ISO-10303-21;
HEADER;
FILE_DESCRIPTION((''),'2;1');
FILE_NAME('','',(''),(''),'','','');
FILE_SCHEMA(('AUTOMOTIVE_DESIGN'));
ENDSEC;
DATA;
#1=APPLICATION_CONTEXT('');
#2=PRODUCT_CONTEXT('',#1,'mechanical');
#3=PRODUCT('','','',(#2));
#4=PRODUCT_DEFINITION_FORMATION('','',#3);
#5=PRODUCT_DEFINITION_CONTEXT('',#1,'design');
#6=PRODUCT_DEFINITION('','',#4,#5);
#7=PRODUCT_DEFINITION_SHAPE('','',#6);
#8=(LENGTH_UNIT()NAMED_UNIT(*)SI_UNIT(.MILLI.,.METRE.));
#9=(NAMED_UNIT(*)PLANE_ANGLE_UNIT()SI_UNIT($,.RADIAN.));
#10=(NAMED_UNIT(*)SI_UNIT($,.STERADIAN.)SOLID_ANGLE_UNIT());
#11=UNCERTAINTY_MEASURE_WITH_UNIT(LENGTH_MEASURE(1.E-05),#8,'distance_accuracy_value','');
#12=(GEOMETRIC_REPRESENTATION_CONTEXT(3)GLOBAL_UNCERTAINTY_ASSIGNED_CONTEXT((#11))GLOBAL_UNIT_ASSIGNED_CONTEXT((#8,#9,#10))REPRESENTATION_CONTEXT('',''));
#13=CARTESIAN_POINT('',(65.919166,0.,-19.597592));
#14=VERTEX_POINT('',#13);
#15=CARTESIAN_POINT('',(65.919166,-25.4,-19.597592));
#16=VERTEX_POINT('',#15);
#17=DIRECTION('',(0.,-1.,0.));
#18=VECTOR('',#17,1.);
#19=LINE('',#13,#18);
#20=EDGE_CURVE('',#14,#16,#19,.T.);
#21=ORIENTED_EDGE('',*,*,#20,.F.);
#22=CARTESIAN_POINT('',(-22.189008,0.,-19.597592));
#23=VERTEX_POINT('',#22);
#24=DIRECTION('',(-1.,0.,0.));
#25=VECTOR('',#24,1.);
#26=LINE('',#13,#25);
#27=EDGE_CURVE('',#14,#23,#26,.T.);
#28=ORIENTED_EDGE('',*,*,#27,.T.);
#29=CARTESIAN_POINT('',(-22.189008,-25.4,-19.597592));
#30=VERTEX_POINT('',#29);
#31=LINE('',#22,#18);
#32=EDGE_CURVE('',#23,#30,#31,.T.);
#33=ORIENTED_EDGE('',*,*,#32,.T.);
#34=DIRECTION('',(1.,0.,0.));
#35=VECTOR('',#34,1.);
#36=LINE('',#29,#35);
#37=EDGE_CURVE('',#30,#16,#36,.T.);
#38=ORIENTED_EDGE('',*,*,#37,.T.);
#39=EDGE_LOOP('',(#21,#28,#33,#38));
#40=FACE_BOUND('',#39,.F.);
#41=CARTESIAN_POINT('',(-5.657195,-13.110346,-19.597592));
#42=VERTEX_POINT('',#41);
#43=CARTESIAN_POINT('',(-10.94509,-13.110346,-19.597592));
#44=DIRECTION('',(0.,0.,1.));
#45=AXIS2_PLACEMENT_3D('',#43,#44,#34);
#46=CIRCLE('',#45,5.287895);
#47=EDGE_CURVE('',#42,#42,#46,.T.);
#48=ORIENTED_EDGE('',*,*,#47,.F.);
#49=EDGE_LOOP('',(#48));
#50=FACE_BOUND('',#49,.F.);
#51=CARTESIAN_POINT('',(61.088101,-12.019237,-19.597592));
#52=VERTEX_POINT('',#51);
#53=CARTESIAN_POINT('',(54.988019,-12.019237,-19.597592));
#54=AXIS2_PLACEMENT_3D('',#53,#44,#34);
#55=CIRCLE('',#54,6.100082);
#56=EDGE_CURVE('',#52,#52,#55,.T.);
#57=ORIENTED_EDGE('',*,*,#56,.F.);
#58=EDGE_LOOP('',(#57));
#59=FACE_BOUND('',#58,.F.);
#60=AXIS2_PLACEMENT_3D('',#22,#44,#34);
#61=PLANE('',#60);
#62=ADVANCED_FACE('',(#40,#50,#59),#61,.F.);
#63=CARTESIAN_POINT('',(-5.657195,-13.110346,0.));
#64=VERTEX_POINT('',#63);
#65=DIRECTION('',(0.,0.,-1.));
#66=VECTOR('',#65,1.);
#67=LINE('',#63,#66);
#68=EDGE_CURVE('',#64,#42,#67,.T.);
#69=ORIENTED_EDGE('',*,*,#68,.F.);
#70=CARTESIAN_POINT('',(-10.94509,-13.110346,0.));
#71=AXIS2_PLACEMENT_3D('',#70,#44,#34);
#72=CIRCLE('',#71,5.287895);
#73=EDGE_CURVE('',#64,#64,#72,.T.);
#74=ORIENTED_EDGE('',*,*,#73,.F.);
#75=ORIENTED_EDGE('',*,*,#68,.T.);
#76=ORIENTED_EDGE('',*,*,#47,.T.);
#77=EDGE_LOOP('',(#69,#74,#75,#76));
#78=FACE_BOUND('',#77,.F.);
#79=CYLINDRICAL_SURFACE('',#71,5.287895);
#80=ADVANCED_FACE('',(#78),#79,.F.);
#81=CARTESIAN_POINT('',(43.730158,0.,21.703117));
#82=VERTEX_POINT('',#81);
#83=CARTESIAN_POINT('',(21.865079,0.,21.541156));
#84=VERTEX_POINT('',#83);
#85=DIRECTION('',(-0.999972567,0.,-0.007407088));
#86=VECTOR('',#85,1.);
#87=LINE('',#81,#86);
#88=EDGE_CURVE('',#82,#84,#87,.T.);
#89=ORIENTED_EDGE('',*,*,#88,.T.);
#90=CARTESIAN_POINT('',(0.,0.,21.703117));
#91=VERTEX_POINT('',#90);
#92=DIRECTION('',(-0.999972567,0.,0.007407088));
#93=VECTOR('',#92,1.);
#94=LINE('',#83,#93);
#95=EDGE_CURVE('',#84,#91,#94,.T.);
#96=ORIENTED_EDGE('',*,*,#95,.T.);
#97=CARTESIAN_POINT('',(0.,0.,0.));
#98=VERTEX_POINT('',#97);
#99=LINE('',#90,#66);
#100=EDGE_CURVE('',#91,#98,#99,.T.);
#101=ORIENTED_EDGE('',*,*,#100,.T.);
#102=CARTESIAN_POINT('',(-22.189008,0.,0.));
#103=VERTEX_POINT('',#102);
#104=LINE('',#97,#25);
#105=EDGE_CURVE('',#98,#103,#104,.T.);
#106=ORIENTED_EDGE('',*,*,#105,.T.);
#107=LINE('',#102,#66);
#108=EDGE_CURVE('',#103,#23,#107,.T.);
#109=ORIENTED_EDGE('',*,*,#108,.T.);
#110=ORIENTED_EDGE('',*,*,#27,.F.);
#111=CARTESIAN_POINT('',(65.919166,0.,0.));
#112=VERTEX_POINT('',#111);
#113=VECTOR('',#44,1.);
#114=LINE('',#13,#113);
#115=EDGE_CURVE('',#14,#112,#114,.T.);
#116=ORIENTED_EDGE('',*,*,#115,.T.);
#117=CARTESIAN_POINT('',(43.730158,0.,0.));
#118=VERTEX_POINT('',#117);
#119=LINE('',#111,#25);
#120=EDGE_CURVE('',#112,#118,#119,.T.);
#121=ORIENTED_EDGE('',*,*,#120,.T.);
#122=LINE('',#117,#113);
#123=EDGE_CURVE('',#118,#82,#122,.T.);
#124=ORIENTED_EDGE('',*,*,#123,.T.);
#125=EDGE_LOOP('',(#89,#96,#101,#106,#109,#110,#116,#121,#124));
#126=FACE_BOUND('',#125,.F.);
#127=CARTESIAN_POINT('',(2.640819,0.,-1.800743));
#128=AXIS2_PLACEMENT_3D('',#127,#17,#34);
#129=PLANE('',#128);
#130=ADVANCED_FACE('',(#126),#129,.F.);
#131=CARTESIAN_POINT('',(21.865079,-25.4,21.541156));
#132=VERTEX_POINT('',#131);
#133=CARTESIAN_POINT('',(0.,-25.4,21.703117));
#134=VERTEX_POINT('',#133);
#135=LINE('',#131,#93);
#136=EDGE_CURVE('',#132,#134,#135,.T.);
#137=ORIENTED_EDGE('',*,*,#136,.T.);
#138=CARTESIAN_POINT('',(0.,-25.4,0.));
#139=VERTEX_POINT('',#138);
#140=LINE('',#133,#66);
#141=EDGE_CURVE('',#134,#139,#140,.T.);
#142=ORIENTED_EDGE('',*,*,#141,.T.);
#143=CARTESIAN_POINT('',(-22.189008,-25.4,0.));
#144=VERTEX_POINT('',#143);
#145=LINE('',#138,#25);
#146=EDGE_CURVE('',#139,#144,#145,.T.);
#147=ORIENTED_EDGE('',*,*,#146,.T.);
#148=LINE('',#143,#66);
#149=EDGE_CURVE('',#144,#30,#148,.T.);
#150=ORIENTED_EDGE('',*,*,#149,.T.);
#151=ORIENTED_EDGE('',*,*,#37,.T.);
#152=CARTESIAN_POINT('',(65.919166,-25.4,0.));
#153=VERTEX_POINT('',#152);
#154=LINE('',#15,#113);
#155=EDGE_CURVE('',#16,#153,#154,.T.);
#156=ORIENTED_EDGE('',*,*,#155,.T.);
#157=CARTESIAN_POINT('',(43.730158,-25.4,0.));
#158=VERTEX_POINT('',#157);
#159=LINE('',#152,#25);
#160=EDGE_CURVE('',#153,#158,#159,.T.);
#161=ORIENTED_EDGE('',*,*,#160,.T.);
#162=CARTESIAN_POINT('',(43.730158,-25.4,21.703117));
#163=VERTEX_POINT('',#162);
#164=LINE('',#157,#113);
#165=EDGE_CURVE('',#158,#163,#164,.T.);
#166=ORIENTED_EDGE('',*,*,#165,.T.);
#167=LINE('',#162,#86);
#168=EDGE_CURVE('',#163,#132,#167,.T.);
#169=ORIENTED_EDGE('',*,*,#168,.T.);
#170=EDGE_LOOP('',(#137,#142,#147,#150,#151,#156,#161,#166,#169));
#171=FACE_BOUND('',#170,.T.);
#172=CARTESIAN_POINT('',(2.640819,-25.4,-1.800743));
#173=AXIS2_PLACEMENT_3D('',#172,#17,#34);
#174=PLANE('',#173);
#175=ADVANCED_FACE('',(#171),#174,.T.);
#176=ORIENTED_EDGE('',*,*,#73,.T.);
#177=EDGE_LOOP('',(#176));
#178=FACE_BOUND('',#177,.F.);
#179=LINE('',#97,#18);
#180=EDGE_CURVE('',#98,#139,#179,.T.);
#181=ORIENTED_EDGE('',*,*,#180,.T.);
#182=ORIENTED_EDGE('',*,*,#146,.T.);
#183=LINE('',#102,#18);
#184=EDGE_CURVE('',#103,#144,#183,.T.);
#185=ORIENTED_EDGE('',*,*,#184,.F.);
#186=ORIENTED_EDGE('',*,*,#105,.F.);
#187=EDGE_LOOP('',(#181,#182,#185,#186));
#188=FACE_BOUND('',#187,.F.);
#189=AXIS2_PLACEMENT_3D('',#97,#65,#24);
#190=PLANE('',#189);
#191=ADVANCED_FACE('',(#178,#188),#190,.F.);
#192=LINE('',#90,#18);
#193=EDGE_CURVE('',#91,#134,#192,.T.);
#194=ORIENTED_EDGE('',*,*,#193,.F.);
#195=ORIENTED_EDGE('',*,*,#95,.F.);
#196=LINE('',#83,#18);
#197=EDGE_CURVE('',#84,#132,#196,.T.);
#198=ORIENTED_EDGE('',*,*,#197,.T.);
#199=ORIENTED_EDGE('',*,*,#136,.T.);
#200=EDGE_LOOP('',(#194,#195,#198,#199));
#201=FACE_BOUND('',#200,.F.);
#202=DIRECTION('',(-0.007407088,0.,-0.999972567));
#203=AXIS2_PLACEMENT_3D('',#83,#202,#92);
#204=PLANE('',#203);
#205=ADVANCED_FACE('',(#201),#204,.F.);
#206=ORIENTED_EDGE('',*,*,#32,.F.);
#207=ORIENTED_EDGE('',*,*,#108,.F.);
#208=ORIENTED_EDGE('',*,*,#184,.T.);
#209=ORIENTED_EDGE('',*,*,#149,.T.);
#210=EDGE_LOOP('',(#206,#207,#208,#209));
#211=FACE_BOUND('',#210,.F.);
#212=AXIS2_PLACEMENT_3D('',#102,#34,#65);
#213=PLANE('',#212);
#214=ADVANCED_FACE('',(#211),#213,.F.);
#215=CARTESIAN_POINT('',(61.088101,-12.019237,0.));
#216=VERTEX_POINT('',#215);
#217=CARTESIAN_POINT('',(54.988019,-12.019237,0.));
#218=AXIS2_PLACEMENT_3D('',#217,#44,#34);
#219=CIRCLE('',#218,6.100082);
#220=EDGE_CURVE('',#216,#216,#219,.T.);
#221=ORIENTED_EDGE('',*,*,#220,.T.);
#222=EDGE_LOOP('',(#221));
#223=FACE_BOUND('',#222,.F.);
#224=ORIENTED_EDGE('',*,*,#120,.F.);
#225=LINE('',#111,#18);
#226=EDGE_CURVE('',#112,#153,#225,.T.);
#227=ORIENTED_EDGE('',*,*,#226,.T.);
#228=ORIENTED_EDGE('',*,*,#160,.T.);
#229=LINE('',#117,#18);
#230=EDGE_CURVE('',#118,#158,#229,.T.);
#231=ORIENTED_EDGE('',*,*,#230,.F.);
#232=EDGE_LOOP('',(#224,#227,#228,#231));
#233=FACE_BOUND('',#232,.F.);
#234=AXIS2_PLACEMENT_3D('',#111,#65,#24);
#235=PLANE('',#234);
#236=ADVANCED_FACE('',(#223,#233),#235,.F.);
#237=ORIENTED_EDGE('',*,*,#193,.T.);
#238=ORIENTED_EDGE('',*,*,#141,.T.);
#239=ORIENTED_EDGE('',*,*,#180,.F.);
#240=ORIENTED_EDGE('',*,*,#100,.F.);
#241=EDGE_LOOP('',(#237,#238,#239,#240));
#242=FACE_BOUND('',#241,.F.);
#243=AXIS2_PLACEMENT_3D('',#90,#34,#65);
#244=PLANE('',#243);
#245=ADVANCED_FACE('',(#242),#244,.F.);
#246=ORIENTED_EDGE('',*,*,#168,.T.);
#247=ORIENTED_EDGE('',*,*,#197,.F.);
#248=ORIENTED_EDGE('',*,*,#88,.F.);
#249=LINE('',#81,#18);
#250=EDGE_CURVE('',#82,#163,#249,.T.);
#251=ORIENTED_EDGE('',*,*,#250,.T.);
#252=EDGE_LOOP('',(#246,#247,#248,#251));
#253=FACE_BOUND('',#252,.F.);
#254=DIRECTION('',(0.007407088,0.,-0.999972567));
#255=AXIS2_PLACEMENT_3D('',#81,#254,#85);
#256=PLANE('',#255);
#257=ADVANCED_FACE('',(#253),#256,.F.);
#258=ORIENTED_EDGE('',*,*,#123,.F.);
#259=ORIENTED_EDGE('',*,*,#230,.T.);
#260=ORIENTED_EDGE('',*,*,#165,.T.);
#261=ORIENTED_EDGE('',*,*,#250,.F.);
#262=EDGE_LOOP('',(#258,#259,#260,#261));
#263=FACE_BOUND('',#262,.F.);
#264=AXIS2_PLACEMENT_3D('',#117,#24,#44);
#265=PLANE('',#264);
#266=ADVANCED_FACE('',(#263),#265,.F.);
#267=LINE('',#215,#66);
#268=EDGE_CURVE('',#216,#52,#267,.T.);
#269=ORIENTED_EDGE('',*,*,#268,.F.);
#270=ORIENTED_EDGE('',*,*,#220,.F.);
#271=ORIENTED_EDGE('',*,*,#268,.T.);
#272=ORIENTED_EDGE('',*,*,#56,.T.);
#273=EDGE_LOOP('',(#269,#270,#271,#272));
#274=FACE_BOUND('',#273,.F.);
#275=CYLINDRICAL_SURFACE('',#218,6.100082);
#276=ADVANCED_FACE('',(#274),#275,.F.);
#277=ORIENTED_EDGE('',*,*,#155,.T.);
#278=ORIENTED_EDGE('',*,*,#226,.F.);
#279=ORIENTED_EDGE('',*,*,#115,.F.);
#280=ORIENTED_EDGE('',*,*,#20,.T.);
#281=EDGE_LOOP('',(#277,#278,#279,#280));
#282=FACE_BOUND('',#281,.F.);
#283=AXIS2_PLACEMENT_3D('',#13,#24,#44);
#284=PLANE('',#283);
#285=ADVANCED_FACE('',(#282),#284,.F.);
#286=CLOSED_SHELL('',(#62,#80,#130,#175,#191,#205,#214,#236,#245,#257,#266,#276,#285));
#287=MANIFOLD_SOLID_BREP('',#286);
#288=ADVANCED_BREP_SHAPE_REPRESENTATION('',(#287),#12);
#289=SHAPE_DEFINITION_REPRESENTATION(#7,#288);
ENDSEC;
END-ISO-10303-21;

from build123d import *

# Parameters (mm, degrees)
F1_DEPTH = 25.4
F3_DEPTH = 25.4
F4_R     = 6.100082
F6_DEPTH = 50.8
F2_R     = 5.287895
F8_DEPTH = 25.4


with BuildPart() as f1:
    # F0 (on Front) → F1 (new body)
    with BuildSketch(Plane.XZ):
        Polygon((0, 21.703117), (0, 0), (-22.189008, 0), (-22.189008, -19.597592), (10.689595, -19.597592), (21.865079, -19.597592), (21.865079, 21.541156), align=None)
    extrude(amount=F1_DEPTH)

    # F0 (on Front) → F3 (join)
    with BuildSketch(Plane.XZ):
        Polygon((0, 21.703117), (0, 0), (-22.189008, 0), (-22.189008, -19.597592), (10.689595, -19.597592), (21.865079, -19.597592), (21.865079, 21.541156), align=None)
        Polygon((43.730158, 21.703117), (21.865079, 21.541156), (21.865079, -19.597592), (33.040564, -19.597592), (65.919166, -19.597592), (65.919166, 0), (43.730158, 0), align=None)
    extrude(amount=F3_DEPTH)

    # F4 (on Top) → F6 (cut)
    with BuildSketch(Plane.XY):
        with Locations((54.988019, -12.019237)):
            Circle(F4_R)
    extrude(amount=-F6_DEPTH, mode=Mode.SUBTRACT)

    # F2 (on Top) → F8 (cut)
    with BuildSketch(Plane.XY):
        with Locations((-10.94509, -13.110346)):
            Circle(F2_R)
    extrude(amount=-F8_DEPTH, mode=Mode.SUBTRACT)


solid = f1.part
